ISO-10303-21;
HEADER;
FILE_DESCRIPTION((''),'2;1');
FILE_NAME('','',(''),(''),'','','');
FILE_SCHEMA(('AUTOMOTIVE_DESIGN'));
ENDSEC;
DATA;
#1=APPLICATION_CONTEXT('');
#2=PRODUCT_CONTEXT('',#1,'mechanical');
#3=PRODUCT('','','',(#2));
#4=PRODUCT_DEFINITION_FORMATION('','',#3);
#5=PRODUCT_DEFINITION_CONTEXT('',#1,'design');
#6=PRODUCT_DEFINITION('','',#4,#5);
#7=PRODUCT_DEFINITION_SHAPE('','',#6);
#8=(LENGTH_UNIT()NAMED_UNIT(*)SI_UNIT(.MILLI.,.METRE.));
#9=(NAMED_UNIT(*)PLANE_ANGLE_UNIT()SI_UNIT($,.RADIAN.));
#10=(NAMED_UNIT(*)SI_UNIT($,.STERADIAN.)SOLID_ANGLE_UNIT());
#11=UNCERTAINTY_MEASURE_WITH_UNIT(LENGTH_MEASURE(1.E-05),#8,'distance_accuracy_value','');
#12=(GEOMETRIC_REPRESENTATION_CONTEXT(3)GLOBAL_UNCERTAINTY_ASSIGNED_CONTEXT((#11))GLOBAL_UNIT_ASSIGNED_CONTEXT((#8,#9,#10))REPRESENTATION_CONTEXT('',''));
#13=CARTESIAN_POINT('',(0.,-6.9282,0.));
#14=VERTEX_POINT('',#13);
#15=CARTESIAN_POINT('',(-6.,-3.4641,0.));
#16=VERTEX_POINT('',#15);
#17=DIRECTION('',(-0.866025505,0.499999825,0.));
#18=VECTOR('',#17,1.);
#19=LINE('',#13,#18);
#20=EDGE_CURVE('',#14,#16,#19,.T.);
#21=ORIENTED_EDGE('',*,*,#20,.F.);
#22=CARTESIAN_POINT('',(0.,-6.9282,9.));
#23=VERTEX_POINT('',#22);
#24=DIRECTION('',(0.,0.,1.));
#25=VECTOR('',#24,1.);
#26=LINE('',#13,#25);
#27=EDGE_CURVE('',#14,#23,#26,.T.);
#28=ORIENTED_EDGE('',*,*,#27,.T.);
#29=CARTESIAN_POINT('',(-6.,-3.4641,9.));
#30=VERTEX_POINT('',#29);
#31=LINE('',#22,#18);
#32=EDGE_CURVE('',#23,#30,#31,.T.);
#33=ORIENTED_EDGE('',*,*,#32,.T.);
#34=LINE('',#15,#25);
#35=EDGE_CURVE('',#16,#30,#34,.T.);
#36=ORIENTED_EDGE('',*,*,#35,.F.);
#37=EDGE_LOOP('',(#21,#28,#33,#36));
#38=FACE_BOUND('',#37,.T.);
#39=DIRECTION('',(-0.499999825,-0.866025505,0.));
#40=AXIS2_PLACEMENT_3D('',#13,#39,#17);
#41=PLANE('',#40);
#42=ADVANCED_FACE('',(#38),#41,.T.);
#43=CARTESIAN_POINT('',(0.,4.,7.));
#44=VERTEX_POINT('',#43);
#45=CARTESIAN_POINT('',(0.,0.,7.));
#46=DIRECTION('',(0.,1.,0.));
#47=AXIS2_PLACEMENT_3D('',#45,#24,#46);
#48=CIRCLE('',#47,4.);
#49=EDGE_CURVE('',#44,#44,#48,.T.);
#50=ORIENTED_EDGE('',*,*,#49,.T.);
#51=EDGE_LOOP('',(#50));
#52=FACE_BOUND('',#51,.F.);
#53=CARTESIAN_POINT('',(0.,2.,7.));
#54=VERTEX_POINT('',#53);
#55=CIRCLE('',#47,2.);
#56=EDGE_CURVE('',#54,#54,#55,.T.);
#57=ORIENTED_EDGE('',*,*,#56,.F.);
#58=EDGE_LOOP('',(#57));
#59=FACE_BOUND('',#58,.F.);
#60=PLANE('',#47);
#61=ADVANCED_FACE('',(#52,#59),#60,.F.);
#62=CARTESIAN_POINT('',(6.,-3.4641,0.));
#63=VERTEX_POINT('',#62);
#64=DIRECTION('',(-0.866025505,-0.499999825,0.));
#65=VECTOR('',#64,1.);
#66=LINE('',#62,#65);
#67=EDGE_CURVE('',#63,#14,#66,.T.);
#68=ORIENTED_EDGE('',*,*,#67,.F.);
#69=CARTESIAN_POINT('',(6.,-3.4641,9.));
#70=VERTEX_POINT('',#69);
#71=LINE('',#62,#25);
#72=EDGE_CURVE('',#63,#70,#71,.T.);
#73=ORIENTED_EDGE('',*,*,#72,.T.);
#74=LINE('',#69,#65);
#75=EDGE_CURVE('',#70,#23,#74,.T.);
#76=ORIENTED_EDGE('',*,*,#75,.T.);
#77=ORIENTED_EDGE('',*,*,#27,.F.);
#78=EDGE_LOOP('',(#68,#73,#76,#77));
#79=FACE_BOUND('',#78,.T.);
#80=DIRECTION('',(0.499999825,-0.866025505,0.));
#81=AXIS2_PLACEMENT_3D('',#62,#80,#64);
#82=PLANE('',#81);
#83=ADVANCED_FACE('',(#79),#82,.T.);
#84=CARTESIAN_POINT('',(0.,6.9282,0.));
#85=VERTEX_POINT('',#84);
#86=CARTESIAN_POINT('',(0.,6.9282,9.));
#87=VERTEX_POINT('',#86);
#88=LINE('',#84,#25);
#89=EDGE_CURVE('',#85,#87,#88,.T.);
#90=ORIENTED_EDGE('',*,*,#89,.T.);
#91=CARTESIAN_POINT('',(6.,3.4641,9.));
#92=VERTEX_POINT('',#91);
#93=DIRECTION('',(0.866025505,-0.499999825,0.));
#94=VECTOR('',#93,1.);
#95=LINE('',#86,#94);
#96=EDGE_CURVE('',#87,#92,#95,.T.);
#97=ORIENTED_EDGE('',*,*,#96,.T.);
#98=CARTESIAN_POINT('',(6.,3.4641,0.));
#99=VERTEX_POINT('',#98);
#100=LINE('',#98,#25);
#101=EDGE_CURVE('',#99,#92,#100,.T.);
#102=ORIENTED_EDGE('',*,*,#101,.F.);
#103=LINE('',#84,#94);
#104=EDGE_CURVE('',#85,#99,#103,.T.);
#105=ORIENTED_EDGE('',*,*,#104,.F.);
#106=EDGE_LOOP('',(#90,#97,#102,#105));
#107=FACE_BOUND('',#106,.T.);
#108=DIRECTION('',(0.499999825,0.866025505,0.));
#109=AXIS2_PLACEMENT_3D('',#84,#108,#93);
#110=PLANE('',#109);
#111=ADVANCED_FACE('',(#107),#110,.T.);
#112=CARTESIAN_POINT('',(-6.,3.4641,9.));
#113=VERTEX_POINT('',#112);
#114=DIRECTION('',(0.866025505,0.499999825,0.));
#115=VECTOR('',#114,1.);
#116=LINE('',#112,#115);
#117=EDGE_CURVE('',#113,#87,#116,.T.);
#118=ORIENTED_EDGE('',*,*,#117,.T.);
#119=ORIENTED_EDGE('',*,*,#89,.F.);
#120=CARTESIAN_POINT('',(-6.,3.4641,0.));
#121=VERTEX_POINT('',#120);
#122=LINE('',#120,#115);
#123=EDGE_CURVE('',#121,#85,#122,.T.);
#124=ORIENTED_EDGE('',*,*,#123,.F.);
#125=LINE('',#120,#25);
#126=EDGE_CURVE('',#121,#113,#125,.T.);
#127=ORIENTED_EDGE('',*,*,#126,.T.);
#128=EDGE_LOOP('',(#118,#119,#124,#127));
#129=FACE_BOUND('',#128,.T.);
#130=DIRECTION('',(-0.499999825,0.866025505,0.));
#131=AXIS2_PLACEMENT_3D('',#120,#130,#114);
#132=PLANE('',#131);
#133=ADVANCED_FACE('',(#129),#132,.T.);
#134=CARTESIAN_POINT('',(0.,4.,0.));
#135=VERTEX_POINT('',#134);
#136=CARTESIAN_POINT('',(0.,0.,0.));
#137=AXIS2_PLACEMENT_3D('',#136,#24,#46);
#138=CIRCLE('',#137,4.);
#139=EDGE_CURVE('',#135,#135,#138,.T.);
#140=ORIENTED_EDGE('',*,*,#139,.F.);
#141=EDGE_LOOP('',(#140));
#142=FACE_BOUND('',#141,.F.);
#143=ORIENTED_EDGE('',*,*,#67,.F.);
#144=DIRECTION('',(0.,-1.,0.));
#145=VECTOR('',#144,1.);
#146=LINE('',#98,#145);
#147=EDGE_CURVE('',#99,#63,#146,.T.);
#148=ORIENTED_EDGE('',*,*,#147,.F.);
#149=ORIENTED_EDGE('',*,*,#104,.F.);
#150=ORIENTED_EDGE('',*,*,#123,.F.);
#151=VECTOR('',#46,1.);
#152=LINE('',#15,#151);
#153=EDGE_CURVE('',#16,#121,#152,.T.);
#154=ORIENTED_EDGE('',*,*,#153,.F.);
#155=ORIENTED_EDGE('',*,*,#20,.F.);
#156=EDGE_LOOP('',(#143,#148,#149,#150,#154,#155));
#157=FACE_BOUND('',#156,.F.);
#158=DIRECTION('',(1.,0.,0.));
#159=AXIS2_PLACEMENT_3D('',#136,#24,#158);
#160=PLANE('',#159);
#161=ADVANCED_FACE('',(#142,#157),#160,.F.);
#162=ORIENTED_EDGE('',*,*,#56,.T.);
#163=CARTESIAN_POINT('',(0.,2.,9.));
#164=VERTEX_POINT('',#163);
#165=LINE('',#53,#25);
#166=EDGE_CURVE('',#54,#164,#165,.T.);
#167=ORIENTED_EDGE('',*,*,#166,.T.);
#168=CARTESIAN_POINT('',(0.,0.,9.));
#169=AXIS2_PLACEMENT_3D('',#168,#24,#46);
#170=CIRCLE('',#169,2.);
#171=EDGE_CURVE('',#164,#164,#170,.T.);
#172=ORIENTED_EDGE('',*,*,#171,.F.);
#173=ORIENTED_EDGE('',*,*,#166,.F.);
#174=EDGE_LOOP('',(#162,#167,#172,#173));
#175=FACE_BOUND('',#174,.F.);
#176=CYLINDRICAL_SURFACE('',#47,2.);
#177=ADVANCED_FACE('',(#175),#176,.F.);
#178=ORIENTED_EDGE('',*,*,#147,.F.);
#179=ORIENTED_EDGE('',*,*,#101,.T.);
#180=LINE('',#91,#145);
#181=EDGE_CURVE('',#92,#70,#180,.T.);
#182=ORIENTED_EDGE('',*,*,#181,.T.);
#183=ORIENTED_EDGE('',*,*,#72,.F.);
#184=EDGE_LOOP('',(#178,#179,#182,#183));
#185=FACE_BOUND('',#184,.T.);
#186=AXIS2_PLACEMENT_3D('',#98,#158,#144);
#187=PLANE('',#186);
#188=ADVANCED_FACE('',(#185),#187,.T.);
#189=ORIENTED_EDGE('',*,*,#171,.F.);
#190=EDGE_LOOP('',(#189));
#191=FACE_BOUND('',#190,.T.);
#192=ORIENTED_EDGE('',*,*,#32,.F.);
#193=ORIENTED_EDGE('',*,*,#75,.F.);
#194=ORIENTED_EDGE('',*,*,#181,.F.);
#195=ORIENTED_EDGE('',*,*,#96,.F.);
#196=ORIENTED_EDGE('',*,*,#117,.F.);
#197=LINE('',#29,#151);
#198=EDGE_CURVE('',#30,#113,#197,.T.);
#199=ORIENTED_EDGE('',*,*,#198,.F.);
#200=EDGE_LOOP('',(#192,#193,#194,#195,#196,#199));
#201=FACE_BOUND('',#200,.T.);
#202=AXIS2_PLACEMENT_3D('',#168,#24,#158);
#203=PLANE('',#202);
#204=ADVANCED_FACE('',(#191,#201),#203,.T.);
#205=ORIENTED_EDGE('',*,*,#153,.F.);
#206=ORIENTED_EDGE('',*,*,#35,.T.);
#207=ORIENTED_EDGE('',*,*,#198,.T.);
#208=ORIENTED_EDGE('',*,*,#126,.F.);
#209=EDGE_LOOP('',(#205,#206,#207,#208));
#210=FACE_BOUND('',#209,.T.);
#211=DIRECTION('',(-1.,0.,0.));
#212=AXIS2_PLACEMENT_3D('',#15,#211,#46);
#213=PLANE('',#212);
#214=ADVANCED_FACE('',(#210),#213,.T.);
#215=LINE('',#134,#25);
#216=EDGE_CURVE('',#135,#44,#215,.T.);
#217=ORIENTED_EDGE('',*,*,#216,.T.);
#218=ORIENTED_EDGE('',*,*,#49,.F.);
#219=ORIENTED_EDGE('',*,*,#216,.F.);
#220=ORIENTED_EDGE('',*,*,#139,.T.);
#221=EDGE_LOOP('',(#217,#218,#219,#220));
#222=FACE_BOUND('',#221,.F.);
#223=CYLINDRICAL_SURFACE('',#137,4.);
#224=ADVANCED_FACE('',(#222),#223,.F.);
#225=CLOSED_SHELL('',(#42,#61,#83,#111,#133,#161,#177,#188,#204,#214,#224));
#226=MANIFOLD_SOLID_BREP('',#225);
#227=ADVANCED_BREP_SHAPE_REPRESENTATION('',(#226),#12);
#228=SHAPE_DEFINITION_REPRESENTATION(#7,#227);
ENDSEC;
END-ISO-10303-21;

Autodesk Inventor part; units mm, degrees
ref_plane "YZ Plane" through (0, 0, 0) normal (1, 0, 0) x (0, 1, 0)
ref_plane "XZ Plane" through (0, 0, 0) normal (0, 1, 0) x (-1, 0, 0)
ref_plane "XY Plane" through (0, 0, 0) normal (0, 0, 1) x (1, 0, 0)
sketch "Sketch1" plane through (0, 0, 0) normal (0, 0, 1) x (1, 0, 0)
  line L0 (0, -6.9282) -> (-6, -3.4641)
  line L1 (-6, -3.4641) -> (-6, 3.4641)
  line L2 (-6, 3.4641) -> (0, 6.9282)
  line L3 (0, 6.9282) -> (6, 3.4641)
  line L4 (6, 3.4641) -> (6, -3.4641)
  line L5 (6, -3.4641) -> (0, -6.9282)
  line L6 (0, 0) -> (0, -16.3015)
  dimension "d0" = 12
extrude "Extrusion1" add sketch "Sketch1" along normal blind 9
hole "Hole1" at (0, 0, 0) direction (0, 0, 1) diameter 4 end through all counterbore diameter 8 counterbore depth 7
thread "Thread1" size "M8x1.25" class "6H" standard "ANSI Metric M Profile" full length
properties part number "HUDSON-1-85"
